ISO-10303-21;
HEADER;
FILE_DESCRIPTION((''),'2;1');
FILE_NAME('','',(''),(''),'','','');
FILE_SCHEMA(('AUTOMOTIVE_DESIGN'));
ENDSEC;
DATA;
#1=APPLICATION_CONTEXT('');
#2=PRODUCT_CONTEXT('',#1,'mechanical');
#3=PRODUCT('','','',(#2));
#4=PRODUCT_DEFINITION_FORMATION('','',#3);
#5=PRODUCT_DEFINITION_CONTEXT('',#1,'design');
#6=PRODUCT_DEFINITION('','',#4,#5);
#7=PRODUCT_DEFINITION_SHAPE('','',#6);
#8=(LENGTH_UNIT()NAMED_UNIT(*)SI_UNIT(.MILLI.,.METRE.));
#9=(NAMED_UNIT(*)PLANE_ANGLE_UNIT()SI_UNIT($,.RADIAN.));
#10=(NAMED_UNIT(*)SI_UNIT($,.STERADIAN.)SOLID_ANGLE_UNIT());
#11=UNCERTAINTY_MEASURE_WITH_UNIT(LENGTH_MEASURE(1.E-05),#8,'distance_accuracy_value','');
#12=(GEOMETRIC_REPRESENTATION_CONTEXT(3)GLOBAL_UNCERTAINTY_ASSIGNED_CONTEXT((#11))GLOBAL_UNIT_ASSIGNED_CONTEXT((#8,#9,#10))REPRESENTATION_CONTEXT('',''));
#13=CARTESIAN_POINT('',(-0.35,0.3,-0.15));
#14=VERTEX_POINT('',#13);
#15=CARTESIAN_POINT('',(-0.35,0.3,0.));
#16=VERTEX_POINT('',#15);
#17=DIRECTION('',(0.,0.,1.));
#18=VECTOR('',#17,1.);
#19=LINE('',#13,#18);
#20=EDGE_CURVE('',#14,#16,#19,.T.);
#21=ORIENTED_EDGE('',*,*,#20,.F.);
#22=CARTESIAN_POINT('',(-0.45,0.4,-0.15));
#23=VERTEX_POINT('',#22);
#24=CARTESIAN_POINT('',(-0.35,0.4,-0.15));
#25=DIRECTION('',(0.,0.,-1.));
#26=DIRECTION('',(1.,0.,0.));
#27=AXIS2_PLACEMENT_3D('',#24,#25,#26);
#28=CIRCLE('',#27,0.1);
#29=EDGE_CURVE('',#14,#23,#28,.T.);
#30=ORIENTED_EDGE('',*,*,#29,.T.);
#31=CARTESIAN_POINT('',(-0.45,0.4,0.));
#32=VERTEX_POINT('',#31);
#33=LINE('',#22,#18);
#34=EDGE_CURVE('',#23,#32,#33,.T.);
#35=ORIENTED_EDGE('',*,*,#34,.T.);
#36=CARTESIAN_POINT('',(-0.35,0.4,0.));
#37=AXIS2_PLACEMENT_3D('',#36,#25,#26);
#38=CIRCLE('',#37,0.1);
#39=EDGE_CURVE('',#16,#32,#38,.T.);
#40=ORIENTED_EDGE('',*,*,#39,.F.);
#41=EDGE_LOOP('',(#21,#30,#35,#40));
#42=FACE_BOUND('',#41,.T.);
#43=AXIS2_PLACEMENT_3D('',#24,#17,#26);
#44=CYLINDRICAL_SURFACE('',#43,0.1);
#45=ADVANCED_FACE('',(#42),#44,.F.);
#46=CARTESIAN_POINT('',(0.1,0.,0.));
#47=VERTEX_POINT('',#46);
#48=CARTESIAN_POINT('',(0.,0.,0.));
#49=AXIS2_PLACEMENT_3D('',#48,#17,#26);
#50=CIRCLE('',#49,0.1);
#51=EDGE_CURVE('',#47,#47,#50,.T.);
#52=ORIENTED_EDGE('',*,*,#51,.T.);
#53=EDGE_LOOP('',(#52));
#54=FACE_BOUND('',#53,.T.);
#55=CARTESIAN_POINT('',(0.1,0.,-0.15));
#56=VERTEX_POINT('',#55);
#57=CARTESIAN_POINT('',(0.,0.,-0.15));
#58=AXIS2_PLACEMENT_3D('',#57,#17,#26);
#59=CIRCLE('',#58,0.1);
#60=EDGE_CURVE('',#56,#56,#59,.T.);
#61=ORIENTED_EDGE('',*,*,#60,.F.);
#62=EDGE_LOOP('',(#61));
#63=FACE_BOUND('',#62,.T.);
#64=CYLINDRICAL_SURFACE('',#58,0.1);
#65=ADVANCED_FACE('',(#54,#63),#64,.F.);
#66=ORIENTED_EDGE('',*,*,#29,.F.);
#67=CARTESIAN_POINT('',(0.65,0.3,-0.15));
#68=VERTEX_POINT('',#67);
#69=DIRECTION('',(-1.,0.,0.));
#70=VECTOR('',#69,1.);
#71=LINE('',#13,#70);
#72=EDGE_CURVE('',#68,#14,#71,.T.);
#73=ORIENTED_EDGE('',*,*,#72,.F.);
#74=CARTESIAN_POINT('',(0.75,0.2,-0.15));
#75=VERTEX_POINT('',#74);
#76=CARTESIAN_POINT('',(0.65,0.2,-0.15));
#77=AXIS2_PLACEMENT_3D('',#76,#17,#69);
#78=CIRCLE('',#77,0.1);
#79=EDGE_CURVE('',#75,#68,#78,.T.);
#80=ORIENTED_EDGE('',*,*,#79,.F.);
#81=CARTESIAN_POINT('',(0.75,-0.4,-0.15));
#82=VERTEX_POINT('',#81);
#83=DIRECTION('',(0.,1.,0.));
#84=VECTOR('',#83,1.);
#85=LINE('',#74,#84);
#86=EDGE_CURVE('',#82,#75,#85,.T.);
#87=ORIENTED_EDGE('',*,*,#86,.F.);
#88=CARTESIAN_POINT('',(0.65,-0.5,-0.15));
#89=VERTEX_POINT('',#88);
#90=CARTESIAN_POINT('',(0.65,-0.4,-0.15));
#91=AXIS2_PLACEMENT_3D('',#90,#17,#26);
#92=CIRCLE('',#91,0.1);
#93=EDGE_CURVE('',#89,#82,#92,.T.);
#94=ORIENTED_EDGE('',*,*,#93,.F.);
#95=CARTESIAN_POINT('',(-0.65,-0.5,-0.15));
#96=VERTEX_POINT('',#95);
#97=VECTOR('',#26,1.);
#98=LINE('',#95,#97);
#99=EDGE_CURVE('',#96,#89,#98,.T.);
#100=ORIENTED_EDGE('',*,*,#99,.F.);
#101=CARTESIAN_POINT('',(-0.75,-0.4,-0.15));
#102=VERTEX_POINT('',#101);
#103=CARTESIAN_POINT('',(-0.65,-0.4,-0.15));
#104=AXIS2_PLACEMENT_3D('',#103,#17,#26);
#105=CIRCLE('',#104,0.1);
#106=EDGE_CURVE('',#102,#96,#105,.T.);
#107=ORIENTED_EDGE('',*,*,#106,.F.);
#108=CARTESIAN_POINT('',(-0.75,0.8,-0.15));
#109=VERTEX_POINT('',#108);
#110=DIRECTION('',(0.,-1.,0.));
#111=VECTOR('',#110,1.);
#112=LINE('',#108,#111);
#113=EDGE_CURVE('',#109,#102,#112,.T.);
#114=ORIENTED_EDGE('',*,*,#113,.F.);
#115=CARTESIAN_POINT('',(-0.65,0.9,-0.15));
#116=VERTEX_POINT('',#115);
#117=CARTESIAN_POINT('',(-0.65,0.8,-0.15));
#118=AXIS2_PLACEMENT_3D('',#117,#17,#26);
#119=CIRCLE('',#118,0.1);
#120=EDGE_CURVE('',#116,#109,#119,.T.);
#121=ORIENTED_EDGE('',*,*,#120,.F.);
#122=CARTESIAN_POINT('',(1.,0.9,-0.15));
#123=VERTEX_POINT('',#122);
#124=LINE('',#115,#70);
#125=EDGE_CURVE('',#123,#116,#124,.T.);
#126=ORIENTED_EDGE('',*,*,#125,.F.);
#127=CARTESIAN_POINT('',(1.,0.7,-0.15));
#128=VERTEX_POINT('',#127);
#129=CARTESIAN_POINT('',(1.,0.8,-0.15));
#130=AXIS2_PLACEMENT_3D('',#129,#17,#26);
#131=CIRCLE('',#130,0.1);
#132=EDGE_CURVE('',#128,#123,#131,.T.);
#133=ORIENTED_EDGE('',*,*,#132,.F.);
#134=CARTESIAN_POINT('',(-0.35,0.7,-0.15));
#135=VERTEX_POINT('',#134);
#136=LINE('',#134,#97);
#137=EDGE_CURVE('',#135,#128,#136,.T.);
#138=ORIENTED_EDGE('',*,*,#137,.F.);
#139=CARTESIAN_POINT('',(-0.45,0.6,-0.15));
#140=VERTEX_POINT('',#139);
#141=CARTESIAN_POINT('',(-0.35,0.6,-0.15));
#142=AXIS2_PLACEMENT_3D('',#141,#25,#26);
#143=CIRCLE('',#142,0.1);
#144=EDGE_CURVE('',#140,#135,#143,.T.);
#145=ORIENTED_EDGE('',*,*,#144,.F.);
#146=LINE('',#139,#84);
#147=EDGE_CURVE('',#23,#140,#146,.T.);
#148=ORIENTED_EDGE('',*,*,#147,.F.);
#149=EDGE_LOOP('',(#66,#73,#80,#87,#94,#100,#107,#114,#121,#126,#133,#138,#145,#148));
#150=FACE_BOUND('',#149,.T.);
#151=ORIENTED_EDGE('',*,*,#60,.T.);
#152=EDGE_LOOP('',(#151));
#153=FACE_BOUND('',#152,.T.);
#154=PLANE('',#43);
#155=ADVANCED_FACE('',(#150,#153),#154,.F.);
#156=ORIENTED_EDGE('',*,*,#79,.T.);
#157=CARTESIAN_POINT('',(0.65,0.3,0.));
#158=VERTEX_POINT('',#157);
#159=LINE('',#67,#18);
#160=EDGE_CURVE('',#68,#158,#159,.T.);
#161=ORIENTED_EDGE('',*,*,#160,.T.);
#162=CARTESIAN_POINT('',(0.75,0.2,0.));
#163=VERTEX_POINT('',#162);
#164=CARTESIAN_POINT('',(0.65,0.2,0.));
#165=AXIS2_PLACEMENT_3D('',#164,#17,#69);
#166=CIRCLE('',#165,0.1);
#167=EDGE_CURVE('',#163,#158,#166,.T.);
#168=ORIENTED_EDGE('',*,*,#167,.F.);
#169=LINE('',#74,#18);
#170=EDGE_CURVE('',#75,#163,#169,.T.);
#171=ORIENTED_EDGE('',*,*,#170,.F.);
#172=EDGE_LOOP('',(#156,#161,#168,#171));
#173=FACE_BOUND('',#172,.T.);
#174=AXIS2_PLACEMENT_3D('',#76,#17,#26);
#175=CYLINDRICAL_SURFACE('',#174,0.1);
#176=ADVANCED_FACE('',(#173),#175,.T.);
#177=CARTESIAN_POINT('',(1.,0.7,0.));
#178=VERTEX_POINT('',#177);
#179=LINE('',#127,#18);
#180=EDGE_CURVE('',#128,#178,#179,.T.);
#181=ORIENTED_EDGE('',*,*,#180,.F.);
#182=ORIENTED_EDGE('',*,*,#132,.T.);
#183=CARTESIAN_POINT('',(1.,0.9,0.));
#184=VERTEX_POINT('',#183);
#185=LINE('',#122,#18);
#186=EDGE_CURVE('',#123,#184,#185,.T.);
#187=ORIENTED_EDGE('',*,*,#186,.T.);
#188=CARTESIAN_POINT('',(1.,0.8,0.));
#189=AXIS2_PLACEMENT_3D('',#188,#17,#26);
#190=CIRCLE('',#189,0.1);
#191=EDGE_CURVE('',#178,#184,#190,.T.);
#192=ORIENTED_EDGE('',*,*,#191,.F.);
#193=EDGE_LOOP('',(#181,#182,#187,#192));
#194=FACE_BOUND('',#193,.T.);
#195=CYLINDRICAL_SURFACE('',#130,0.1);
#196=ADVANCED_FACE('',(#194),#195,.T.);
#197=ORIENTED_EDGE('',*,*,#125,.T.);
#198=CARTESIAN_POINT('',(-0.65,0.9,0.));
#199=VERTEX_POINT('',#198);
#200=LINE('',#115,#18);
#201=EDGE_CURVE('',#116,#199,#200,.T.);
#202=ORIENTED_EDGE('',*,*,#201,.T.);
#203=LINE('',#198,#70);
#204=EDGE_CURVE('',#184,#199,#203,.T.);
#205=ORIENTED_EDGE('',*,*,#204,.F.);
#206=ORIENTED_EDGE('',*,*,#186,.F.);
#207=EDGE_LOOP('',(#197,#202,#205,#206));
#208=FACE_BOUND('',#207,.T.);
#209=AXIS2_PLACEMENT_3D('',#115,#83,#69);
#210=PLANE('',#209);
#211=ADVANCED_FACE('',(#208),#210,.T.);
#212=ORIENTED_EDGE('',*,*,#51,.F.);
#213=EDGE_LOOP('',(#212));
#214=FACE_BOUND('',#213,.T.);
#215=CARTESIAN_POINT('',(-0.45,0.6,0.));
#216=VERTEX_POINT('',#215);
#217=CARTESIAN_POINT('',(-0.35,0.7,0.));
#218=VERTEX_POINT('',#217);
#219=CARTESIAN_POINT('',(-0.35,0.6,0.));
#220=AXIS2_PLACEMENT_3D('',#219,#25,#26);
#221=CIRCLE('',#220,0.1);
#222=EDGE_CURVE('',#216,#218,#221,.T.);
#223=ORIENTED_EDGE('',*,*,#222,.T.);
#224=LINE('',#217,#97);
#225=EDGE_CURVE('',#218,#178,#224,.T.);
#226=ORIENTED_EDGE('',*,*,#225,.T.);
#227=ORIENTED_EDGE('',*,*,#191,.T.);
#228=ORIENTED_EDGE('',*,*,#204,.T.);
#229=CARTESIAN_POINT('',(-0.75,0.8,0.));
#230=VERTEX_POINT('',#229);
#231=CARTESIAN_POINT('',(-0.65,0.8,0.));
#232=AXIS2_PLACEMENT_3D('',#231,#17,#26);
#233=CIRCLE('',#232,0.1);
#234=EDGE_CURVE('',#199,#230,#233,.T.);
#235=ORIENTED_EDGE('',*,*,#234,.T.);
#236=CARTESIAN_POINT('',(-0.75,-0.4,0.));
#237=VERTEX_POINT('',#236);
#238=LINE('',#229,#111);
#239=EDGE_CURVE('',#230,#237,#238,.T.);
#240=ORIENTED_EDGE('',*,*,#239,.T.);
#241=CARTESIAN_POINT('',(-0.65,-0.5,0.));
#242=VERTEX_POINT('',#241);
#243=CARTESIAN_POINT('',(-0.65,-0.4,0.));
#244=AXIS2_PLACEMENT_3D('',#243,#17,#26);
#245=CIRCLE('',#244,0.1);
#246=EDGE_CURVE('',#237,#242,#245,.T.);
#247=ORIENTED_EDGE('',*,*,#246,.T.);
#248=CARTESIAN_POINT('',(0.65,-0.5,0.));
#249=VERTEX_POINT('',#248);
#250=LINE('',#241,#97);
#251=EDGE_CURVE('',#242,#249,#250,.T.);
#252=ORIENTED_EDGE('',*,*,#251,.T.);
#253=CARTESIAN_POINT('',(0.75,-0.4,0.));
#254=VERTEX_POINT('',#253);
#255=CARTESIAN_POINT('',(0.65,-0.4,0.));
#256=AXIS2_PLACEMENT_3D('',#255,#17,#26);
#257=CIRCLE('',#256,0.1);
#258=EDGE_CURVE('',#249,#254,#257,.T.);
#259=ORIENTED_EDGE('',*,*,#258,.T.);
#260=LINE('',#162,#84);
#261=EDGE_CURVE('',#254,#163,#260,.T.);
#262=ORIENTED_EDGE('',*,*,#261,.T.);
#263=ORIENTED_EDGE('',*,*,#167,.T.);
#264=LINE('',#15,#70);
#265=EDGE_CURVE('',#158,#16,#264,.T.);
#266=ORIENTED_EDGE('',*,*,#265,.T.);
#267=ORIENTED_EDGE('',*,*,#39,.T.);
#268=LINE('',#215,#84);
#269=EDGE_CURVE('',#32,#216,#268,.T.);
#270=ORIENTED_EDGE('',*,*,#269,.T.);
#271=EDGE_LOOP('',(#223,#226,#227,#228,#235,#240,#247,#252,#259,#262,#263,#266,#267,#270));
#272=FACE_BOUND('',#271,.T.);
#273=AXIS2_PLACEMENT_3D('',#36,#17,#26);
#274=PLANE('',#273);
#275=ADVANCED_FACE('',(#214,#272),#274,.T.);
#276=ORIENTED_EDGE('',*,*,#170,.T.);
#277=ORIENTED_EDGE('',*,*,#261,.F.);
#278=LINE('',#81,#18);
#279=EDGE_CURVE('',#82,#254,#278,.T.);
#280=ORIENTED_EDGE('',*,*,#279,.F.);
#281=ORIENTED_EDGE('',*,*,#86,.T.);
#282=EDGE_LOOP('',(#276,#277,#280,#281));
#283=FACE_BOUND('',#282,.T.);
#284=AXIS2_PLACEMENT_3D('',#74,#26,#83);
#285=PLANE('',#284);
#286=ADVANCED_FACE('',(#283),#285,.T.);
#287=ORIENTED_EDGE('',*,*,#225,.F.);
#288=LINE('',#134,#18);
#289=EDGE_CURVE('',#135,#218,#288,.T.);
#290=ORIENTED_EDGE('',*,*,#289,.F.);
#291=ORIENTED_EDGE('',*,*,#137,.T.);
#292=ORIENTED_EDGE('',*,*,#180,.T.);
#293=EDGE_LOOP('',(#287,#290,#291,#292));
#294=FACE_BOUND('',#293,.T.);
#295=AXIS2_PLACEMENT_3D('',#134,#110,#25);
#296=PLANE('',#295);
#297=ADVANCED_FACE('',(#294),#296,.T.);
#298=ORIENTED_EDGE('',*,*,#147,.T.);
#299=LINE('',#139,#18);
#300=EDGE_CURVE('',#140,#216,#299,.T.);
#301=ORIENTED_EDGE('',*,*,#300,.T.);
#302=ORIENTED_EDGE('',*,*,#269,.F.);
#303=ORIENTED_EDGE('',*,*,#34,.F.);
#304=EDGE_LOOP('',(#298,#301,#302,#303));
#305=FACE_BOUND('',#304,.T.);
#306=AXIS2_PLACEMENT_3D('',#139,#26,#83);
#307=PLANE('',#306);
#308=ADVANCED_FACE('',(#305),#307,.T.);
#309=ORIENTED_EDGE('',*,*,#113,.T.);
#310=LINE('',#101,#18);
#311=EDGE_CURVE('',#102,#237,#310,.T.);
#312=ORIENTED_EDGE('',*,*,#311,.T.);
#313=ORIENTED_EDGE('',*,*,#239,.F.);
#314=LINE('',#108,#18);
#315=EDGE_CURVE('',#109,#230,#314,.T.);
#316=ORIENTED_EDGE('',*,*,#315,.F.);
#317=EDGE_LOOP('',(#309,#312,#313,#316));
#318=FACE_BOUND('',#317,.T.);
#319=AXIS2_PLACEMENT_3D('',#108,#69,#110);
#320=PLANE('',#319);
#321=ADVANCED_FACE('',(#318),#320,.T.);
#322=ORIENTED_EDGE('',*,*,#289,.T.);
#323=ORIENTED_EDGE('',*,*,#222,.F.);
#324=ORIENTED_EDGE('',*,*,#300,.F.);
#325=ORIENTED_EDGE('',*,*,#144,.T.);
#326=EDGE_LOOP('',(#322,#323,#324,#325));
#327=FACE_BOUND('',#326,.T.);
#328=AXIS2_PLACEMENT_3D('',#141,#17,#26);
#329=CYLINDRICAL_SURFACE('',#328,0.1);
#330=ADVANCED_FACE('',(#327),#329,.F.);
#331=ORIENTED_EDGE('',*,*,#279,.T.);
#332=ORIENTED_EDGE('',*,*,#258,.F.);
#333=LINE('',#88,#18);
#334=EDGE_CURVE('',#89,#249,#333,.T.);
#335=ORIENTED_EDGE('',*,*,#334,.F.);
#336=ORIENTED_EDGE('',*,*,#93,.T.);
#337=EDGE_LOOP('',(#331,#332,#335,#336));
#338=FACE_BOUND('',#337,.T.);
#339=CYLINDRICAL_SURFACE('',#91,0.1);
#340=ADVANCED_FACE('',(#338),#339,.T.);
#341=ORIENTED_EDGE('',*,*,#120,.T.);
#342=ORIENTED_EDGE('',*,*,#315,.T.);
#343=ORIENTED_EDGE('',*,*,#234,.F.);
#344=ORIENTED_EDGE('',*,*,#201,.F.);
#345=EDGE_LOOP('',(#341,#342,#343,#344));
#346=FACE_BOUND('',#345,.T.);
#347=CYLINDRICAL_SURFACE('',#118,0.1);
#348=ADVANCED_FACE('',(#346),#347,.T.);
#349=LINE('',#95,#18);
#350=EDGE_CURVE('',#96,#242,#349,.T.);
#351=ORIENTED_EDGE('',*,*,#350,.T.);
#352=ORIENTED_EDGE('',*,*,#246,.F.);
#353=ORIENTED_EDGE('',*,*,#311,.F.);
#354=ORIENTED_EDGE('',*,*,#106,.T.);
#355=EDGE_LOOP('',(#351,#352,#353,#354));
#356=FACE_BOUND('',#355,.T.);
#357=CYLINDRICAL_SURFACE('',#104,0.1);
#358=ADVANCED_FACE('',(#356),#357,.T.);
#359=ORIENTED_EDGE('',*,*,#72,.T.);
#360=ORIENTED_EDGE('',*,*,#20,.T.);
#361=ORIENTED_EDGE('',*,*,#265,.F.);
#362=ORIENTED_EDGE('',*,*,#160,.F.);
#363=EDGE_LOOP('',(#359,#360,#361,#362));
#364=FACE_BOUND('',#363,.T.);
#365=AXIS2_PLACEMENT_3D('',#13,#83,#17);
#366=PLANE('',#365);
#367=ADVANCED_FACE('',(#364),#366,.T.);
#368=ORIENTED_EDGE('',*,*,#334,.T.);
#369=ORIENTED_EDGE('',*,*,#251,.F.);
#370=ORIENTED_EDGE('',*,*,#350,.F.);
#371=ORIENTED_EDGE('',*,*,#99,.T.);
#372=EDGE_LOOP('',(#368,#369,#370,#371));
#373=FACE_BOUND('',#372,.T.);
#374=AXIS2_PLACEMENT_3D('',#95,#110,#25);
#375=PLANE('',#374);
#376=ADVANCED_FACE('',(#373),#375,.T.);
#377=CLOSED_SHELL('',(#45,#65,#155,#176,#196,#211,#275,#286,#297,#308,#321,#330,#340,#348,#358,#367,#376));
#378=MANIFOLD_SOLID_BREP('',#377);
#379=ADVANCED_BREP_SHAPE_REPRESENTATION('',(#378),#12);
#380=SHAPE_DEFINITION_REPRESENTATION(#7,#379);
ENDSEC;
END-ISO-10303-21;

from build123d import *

# Parameters (mm, degrees)
ESQUISSE1_R        = 0.1
BOSS_EXTRU_1_DEPTH = 0.15


with BuildPart() as part:
    # Esquisse1 → Boss.-Extru.1 (new body)
    with BuildSketch(Plane.XY):
        with BuildLine():
            Line((0.75, 0.2), (0.75, -0.4))
            ThreePointArc((0.75, -0.4), (0.720710678, -0.470710678), (0.65, -0.5))
            Line((0.65, -0.5), (-0.65, -0.5))
            ThreePointArc((-0.65, -0.5), (-0.720710678, -0.470710678), (-0.75, -0.4))
            Line((-0.75, -0.4), (-0.75, 0.8))
            ThreePointArc((-0.75, 0.8), (-0.720710678, 0.870710678), (-0.65, 0.9))
            Line((-0.65, 0.9), (1, 0.9))
            ThreePointArc((1, 0.9), (1.1, 0.8), (1, 0.7))
            Line((1, 0.7), (-0.35, 0.7))
            ThreePointArc((-0.35, 0.7), (-0.420710678, 0.670710678), (-0.45, 0.6))
            Line((-0.45, 0.6), (-0.45, 0.4))
            ThreePointArc((-0.45, 0.4), (-0.420710678, 0.329289322), (-0.35, 0.3))
            Line((-0.35, 0.3), (0.65, 0.3))
            ThreePointArc((0.65, 0.3), (0.720710678, 0.270710678), (0.75, 0.2))
        make_face()
        Circle(ESQUISSE1_R, mode=Mode.SUBTRACT)
    extrude(amount=-BOSS_EXTRU_1_DEPTH)


solid = part.part
